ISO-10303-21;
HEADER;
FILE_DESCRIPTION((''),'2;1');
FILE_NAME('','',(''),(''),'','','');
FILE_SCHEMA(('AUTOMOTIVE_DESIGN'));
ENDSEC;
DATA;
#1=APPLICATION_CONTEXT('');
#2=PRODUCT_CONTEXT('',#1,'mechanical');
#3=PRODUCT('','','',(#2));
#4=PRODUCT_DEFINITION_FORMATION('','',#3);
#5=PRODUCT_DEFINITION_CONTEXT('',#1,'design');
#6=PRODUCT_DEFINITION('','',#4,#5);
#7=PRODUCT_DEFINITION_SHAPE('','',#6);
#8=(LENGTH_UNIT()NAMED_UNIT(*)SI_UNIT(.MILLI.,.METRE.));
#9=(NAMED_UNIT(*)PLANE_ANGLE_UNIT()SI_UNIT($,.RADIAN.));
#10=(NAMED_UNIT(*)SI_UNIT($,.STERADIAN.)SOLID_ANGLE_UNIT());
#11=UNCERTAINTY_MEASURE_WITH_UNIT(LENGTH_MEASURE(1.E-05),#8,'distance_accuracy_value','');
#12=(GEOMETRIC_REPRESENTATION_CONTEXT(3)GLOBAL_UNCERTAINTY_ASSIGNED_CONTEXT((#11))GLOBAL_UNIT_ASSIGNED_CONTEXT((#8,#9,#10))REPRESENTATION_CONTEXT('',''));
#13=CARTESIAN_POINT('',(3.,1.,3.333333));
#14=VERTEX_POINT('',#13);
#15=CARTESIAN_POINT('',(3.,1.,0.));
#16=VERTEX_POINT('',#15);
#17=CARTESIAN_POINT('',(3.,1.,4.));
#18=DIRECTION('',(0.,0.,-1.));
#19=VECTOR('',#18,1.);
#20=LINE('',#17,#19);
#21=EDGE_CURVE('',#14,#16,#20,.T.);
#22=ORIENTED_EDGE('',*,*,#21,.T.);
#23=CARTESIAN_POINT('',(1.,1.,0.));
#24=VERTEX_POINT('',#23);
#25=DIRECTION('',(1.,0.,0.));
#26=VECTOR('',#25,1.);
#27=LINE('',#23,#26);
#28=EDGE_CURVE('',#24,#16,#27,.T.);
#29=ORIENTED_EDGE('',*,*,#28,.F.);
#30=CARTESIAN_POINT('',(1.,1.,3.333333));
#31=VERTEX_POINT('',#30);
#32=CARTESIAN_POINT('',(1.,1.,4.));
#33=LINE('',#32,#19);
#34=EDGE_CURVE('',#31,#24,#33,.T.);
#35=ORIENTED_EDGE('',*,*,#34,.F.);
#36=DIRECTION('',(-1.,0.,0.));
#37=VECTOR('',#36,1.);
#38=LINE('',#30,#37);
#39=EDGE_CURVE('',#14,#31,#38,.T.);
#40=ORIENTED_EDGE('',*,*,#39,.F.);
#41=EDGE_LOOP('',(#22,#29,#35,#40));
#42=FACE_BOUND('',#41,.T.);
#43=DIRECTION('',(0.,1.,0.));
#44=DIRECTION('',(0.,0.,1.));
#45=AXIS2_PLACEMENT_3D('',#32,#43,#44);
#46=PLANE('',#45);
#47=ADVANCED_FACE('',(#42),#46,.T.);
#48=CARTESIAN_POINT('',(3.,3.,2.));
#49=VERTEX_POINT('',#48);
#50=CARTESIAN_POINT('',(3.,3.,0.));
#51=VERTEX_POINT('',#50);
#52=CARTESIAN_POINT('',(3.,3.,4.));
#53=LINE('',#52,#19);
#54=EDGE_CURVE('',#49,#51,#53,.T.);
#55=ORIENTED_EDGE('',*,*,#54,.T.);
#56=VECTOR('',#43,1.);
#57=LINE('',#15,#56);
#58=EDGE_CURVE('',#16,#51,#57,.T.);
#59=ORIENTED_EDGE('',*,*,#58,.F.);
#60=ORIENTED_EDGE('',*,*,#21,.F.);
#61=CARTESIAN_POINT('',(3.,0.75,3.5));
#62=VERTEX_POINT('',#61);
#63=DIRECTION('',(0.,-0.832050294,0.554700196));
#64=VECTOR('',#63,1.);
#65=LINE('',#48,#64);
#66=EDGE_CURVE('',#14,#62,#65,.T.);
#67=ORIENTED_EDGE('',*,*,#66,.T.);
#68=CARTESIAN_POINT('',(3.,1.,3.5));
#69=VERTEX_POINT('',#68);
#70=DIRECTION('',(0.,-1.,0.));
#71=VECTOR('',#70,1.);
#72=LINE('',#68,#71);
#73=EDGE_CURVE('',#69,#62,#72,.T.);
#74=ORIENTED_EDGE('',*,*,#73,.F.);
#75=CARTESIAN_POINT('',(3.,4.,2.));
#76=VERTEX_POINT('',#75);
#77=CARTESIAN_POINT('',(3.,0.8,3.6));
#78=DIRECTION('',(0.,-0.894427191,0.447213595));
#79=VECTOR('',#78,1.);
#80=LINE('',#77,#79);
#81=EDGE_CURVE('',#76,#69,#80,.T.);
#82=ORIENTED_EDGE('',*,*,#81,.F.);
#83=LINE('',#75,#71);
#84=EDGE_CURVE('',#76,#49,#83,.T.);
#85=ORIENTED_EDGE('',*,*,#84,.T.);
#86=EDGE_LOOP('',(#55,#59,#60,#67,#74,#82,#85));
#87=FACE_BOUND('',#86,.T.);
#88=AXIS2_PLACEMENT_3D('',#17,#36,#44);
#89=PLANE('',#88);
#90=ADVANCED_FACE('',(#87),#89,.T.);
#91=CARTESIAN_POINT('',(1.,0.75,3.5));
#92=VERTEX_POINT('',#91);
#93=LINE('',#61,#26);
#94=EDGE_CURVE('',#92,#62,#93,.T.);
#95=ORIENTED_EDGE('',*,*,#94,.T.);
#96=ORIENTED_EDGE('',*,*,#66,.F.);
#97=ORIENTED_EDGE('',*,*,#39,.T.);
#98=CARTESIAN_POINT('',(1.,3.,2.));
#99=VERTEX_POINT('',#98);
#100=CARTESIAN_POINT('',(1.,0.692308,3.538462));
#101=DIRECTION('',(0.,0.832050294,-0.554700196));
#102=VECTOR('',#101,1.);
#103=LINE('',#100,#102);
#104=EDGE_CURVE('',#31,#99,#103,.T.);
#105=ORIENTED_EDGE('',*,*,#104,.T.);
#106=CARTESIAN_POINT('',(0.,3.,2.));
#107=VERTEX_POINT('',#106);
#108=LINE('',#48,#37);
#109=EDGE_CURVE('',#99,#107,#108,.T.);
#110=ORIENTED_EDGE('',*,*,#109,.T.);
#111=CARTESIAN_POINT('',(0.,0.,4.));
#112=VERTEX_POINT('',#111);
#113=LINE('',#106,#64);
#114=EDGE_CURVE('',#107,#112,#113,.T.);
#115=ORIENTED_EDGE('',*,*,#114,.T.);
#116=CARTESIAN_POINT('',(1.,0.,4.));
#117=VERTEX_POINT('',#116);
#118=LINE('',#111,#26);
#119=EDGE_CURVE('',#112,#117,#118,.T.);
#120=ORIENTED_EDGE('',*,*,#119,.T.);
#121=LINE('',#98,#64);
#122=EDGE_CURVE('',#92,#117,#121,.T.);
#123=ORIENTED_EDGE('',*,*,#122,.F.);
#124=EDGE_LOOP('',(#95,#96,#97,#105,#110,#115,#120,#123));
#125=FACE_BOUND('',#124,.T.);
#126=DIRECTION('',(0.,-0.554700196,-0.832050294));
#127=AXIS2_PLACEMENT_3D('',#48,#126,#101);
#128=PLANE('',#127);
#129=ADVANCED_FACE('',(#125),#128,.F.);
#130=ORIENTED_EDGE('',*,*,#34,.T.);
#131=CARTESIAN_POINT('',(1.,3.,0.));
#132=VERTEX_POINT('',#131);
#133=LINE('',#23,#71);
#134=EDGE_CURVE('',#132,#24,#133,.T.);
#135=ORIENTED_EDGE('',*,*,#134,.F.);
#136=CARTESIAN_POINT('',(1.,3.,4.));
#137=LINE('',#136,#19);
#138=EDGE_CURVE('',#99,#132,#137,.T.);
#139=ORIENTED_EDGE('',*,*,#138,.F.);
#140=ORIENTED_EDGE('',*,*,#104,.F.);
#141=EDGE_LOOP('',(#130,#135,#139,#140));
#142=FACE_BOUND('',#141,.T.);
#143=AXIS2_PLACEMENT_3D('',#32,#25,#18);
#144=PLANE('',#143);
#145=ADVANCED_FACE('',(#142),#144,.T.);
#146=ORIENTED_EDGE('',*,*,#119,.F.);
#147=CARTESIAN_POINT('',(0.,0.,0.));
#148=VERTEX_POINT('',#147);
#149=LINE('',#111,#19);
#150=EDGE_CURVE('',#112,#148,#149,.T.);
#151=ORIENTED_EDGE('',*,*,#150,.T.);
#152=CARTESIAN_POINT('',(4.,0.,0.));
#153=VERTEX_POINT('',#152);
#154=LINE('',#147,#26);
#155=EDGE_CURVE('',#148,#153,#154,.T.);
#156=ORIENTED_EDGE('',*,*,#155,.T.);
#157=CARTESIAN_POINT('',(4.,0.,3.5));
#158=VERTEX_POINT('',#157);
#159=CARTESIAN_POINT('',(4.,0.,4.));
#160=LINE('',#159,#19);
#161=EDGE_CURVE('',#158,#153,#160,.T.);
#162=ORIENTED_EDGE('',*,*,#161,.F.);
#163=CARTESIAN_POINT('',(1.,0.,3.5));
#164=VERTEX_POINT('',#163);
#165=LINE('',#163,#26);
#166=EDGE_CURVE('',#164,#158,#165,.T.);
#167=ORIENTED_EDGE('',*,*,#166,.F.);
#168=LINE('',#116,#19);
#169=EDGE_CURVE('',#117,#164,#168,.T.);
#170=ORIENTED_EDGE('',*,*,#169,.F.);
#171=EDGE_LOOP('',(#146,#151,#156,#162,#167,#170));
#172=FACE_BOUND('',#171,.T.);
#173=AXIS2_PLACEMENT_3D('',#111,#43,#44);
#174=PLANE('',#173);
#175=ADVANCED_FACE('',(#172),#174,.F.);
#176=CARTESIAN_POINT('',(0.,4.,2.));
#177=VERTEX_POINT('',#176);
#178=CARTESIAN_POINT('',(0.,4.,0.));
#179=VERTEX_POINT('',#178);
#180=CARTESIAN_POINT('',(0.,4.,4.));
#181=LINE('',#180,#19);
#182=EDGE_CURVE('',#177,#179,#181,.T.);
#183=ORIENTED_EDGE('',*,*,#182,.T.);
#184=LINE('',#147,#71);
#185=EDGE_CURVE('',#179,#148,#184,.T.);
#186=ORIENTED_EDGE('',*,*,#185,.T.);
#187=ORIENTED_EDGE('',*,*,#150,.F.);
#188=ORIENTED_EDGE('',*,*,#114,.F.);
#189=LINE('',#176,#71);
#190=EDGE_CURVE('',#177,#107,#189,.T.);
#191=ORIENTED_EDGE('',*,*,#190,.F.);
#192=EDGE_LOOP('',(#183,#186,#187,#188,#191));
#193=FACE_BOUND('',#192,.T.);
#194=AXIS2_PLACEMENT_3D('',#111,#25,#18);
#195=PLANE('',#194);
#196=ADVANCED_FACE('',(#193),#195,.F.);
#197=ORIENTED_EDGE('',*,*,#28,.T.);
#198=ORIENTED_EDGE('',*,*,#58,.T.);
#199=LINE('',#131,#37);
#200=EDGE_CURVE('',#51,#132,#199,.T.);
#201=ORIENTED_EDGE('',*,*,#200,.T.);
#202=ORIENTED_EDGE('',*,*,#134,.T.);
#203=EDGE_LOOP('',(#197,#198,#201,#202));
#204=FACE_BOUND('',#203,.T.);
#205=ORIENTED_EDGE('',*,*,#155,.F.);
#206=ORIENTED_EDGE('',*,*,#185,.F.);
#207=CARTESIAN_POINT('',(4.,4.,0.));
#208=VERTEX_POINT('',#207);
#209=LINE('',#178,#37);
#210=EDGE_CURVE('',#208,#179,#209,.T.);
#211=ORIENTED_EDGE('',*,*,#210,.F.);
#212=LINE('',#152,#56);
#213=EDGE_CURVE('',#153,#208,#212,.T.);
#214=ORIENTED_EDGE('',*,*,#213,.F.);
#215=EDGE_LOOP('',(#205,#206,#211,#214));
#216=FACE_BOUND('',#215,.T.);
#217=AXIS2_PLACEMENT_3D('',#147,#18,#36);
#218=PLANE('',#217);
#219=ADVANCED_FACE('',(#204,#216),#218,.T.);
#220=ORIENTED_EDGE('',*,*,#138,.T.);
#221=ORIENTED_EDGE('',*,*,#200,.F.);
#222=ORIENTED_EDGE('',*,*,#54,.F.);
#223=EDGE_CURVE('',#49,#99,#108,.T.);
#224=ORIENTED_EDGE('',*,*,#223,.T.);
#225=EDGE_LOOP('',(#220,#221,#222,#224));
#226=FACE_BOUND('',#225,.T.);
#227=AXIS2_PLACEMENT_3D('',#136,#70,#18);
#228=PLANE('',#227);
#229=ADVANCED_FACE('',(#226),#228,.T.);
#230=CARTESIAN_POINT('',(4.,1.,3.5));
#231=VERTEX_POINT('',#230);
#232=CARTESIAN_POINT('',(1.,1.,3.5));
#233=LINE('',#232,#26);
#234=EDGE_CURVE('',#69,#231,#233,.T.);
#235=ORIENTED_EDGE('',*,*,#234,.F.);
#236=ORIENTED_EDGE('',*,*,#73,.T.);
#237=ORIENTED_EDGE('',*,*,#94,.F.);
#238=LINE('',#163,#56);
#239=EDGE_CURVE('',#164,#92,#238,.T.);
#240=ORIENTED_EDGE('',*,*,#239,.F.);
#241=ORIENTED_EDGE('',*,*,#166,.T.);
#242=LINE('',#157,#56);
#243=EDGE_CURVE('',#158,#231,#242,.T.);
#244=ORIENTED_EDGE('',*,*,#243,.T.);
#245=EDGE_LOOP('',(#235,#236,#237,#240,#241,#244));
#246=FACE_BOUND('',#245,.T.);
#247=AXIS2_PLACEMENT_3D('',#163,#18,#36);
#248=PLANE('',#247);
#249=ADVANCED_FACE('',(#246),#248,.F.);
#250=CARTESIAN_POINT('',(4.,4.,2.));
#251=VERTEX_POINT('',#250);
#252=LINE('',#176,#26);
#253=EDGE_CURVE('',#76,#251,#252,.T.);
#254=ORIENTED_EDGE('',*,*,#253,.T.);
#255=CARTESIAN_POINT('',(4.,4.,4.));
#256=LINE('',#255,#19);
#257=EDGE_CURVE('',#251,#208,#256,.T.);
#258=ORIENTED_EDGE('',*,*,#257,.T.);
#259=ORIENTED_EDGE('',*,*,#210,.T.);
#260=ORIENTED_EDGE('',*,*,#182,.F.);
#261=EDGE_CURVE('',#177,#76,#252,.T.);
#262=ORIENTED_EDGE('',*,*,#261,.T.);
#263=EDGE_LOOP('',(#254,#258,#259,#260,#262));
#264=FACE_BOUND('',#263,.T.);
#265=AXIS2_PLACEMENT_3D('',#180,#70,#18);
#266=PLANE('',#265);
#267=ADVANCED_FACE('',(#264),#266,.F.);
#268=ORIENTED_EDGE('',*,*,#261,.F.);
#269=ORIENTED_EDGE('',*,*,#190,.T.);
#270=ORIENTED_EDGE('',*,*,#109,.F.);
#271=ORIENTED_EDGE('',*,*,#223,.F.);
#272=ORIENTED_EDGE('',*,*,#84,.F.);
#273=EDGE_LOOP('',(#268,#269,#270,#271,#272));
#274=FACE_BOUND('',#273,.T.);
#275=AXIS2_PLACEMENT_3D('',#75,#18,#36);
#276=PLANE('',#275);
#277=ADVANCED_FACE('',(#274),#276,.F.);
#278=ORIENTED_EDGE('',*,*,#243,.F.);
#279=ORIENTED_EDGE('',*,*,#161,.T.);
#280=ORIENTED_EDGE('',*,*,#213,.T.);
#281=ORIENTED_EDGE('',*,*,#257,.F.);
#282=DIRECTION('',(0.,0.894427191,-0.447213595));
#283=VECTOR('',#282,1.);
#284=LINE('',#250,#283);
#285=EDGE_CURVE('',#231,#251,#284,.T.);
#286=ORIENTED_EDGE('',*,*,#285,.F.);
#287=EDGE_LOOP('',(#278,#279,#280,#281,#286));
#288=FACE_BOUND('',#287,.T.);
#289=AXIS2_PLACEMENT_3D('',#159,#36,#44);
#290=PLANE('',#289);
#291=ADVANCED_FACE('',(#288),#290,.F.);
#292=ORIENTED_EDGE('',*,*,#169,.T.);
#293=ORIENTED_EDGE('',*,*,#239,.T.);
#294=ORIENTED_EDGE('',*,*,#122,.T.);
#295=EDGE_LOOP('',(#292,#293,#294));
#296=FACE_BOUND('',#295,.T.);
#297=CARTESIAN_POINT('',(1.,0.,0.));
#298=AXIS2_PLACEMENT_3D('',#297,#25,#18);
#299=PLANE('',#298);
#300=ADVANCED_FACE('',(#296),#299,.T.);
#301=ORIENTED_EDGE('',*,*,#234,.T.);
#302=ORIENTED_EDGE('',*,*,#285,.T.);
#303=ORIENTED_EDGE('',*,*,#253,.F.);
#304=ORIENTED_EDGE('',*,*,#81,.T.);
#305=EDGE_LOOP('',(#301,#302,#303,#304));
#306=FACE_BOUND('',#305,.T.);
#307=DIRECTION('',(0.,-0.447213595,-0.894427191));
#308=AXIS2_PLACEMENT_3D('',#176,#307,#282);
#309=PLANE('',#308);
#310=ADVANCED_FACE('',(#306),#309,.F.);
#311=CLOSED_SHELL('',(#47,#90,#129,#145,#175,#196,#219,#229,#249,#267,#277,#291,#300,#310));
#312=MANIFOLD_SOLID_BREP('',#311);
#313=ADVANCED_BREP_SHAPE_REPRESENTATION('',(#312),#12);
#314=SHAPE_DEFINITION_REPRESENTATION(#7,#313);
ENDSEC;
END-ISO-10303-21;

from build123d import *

# Parameters (mm, degrees)
SKETCH1_W           = 4
SKETCH1_H           = 4
SKETCH1_W_2         = 2
SKETCH1_H_2         = 2
BOSS_EXTRUDE1_DEPTH = 4
CUT_EXTRUDE1_DEPTH  = 4
CUT_EXTRUDE2_DEPTH  = 3
CUT_EXTRUDE3_DEPTH  = 3
CUT_EXTRUDE5_DEPTH  = 3


with BuildPart() as part:
    # Sketch1 → Boss-Extrude1 (new body)
    with BuildSketch(Plane.XY):
        with Locations((2, 2)):
            Rectangle(SKETCH1_W, SKETCH1_H)
        with Locations((2, 2)):
            Rectangle(SKETCH1_W_2, SKETCH1_H_2, mode=Mode.SUBTRACT)
    extrude(amount=BOSS_EXTRUDE1_DEPTH)

    # Sketch2 → Cut-Extrude1 (cut)
    with BuildSketch(Plane(origin=(4, 0, 0), x_dir=(0, 0, -1), z_dir=(1, 0, 0))):
        Polygon((-2, 4), (-4, 0), (-4, 4), align=None)
    extrude(amount=-CUT_EXTRUDE1_DEPTH, mode=Mode.SUBTRACT)

    # Sketch3 → Cut-Extrude2 (cut)
    with BuildSketch(Plane.ZY):
        Polygon((2, 4), (2, 3), (2.5, 3), align=None)
    extrude(amount=-CUT_EXTRUDE2_DEPTH, mode=Mode.SUBTRACT)

    # Sketch4 → Cut-Extrude3 (cut)
    with BuildSketch(Plane.ZY):
        Polygon((2, 3), (4, 0), (4, 3.222768016), align=None)
    extrude(amount=-CUT_EXTRUDE3_DEPTH, mode=Mode.SUBTRACT)

    # Sketch6 → Cut-Extrude5 (cut)
    with BuildSketch(Plane(origin=(4, 0, 0), x_dir=(0, 0, -1), z_dir=(1, 0, 0))):
        Polygon((-3.5, 0), (-3.5, 1), (-4, 0), align=None)
    extrude(amount=-CUT_EXTRUDE5_DEPTH, mode=Mode.SUBTRACT)


solid = part.part
